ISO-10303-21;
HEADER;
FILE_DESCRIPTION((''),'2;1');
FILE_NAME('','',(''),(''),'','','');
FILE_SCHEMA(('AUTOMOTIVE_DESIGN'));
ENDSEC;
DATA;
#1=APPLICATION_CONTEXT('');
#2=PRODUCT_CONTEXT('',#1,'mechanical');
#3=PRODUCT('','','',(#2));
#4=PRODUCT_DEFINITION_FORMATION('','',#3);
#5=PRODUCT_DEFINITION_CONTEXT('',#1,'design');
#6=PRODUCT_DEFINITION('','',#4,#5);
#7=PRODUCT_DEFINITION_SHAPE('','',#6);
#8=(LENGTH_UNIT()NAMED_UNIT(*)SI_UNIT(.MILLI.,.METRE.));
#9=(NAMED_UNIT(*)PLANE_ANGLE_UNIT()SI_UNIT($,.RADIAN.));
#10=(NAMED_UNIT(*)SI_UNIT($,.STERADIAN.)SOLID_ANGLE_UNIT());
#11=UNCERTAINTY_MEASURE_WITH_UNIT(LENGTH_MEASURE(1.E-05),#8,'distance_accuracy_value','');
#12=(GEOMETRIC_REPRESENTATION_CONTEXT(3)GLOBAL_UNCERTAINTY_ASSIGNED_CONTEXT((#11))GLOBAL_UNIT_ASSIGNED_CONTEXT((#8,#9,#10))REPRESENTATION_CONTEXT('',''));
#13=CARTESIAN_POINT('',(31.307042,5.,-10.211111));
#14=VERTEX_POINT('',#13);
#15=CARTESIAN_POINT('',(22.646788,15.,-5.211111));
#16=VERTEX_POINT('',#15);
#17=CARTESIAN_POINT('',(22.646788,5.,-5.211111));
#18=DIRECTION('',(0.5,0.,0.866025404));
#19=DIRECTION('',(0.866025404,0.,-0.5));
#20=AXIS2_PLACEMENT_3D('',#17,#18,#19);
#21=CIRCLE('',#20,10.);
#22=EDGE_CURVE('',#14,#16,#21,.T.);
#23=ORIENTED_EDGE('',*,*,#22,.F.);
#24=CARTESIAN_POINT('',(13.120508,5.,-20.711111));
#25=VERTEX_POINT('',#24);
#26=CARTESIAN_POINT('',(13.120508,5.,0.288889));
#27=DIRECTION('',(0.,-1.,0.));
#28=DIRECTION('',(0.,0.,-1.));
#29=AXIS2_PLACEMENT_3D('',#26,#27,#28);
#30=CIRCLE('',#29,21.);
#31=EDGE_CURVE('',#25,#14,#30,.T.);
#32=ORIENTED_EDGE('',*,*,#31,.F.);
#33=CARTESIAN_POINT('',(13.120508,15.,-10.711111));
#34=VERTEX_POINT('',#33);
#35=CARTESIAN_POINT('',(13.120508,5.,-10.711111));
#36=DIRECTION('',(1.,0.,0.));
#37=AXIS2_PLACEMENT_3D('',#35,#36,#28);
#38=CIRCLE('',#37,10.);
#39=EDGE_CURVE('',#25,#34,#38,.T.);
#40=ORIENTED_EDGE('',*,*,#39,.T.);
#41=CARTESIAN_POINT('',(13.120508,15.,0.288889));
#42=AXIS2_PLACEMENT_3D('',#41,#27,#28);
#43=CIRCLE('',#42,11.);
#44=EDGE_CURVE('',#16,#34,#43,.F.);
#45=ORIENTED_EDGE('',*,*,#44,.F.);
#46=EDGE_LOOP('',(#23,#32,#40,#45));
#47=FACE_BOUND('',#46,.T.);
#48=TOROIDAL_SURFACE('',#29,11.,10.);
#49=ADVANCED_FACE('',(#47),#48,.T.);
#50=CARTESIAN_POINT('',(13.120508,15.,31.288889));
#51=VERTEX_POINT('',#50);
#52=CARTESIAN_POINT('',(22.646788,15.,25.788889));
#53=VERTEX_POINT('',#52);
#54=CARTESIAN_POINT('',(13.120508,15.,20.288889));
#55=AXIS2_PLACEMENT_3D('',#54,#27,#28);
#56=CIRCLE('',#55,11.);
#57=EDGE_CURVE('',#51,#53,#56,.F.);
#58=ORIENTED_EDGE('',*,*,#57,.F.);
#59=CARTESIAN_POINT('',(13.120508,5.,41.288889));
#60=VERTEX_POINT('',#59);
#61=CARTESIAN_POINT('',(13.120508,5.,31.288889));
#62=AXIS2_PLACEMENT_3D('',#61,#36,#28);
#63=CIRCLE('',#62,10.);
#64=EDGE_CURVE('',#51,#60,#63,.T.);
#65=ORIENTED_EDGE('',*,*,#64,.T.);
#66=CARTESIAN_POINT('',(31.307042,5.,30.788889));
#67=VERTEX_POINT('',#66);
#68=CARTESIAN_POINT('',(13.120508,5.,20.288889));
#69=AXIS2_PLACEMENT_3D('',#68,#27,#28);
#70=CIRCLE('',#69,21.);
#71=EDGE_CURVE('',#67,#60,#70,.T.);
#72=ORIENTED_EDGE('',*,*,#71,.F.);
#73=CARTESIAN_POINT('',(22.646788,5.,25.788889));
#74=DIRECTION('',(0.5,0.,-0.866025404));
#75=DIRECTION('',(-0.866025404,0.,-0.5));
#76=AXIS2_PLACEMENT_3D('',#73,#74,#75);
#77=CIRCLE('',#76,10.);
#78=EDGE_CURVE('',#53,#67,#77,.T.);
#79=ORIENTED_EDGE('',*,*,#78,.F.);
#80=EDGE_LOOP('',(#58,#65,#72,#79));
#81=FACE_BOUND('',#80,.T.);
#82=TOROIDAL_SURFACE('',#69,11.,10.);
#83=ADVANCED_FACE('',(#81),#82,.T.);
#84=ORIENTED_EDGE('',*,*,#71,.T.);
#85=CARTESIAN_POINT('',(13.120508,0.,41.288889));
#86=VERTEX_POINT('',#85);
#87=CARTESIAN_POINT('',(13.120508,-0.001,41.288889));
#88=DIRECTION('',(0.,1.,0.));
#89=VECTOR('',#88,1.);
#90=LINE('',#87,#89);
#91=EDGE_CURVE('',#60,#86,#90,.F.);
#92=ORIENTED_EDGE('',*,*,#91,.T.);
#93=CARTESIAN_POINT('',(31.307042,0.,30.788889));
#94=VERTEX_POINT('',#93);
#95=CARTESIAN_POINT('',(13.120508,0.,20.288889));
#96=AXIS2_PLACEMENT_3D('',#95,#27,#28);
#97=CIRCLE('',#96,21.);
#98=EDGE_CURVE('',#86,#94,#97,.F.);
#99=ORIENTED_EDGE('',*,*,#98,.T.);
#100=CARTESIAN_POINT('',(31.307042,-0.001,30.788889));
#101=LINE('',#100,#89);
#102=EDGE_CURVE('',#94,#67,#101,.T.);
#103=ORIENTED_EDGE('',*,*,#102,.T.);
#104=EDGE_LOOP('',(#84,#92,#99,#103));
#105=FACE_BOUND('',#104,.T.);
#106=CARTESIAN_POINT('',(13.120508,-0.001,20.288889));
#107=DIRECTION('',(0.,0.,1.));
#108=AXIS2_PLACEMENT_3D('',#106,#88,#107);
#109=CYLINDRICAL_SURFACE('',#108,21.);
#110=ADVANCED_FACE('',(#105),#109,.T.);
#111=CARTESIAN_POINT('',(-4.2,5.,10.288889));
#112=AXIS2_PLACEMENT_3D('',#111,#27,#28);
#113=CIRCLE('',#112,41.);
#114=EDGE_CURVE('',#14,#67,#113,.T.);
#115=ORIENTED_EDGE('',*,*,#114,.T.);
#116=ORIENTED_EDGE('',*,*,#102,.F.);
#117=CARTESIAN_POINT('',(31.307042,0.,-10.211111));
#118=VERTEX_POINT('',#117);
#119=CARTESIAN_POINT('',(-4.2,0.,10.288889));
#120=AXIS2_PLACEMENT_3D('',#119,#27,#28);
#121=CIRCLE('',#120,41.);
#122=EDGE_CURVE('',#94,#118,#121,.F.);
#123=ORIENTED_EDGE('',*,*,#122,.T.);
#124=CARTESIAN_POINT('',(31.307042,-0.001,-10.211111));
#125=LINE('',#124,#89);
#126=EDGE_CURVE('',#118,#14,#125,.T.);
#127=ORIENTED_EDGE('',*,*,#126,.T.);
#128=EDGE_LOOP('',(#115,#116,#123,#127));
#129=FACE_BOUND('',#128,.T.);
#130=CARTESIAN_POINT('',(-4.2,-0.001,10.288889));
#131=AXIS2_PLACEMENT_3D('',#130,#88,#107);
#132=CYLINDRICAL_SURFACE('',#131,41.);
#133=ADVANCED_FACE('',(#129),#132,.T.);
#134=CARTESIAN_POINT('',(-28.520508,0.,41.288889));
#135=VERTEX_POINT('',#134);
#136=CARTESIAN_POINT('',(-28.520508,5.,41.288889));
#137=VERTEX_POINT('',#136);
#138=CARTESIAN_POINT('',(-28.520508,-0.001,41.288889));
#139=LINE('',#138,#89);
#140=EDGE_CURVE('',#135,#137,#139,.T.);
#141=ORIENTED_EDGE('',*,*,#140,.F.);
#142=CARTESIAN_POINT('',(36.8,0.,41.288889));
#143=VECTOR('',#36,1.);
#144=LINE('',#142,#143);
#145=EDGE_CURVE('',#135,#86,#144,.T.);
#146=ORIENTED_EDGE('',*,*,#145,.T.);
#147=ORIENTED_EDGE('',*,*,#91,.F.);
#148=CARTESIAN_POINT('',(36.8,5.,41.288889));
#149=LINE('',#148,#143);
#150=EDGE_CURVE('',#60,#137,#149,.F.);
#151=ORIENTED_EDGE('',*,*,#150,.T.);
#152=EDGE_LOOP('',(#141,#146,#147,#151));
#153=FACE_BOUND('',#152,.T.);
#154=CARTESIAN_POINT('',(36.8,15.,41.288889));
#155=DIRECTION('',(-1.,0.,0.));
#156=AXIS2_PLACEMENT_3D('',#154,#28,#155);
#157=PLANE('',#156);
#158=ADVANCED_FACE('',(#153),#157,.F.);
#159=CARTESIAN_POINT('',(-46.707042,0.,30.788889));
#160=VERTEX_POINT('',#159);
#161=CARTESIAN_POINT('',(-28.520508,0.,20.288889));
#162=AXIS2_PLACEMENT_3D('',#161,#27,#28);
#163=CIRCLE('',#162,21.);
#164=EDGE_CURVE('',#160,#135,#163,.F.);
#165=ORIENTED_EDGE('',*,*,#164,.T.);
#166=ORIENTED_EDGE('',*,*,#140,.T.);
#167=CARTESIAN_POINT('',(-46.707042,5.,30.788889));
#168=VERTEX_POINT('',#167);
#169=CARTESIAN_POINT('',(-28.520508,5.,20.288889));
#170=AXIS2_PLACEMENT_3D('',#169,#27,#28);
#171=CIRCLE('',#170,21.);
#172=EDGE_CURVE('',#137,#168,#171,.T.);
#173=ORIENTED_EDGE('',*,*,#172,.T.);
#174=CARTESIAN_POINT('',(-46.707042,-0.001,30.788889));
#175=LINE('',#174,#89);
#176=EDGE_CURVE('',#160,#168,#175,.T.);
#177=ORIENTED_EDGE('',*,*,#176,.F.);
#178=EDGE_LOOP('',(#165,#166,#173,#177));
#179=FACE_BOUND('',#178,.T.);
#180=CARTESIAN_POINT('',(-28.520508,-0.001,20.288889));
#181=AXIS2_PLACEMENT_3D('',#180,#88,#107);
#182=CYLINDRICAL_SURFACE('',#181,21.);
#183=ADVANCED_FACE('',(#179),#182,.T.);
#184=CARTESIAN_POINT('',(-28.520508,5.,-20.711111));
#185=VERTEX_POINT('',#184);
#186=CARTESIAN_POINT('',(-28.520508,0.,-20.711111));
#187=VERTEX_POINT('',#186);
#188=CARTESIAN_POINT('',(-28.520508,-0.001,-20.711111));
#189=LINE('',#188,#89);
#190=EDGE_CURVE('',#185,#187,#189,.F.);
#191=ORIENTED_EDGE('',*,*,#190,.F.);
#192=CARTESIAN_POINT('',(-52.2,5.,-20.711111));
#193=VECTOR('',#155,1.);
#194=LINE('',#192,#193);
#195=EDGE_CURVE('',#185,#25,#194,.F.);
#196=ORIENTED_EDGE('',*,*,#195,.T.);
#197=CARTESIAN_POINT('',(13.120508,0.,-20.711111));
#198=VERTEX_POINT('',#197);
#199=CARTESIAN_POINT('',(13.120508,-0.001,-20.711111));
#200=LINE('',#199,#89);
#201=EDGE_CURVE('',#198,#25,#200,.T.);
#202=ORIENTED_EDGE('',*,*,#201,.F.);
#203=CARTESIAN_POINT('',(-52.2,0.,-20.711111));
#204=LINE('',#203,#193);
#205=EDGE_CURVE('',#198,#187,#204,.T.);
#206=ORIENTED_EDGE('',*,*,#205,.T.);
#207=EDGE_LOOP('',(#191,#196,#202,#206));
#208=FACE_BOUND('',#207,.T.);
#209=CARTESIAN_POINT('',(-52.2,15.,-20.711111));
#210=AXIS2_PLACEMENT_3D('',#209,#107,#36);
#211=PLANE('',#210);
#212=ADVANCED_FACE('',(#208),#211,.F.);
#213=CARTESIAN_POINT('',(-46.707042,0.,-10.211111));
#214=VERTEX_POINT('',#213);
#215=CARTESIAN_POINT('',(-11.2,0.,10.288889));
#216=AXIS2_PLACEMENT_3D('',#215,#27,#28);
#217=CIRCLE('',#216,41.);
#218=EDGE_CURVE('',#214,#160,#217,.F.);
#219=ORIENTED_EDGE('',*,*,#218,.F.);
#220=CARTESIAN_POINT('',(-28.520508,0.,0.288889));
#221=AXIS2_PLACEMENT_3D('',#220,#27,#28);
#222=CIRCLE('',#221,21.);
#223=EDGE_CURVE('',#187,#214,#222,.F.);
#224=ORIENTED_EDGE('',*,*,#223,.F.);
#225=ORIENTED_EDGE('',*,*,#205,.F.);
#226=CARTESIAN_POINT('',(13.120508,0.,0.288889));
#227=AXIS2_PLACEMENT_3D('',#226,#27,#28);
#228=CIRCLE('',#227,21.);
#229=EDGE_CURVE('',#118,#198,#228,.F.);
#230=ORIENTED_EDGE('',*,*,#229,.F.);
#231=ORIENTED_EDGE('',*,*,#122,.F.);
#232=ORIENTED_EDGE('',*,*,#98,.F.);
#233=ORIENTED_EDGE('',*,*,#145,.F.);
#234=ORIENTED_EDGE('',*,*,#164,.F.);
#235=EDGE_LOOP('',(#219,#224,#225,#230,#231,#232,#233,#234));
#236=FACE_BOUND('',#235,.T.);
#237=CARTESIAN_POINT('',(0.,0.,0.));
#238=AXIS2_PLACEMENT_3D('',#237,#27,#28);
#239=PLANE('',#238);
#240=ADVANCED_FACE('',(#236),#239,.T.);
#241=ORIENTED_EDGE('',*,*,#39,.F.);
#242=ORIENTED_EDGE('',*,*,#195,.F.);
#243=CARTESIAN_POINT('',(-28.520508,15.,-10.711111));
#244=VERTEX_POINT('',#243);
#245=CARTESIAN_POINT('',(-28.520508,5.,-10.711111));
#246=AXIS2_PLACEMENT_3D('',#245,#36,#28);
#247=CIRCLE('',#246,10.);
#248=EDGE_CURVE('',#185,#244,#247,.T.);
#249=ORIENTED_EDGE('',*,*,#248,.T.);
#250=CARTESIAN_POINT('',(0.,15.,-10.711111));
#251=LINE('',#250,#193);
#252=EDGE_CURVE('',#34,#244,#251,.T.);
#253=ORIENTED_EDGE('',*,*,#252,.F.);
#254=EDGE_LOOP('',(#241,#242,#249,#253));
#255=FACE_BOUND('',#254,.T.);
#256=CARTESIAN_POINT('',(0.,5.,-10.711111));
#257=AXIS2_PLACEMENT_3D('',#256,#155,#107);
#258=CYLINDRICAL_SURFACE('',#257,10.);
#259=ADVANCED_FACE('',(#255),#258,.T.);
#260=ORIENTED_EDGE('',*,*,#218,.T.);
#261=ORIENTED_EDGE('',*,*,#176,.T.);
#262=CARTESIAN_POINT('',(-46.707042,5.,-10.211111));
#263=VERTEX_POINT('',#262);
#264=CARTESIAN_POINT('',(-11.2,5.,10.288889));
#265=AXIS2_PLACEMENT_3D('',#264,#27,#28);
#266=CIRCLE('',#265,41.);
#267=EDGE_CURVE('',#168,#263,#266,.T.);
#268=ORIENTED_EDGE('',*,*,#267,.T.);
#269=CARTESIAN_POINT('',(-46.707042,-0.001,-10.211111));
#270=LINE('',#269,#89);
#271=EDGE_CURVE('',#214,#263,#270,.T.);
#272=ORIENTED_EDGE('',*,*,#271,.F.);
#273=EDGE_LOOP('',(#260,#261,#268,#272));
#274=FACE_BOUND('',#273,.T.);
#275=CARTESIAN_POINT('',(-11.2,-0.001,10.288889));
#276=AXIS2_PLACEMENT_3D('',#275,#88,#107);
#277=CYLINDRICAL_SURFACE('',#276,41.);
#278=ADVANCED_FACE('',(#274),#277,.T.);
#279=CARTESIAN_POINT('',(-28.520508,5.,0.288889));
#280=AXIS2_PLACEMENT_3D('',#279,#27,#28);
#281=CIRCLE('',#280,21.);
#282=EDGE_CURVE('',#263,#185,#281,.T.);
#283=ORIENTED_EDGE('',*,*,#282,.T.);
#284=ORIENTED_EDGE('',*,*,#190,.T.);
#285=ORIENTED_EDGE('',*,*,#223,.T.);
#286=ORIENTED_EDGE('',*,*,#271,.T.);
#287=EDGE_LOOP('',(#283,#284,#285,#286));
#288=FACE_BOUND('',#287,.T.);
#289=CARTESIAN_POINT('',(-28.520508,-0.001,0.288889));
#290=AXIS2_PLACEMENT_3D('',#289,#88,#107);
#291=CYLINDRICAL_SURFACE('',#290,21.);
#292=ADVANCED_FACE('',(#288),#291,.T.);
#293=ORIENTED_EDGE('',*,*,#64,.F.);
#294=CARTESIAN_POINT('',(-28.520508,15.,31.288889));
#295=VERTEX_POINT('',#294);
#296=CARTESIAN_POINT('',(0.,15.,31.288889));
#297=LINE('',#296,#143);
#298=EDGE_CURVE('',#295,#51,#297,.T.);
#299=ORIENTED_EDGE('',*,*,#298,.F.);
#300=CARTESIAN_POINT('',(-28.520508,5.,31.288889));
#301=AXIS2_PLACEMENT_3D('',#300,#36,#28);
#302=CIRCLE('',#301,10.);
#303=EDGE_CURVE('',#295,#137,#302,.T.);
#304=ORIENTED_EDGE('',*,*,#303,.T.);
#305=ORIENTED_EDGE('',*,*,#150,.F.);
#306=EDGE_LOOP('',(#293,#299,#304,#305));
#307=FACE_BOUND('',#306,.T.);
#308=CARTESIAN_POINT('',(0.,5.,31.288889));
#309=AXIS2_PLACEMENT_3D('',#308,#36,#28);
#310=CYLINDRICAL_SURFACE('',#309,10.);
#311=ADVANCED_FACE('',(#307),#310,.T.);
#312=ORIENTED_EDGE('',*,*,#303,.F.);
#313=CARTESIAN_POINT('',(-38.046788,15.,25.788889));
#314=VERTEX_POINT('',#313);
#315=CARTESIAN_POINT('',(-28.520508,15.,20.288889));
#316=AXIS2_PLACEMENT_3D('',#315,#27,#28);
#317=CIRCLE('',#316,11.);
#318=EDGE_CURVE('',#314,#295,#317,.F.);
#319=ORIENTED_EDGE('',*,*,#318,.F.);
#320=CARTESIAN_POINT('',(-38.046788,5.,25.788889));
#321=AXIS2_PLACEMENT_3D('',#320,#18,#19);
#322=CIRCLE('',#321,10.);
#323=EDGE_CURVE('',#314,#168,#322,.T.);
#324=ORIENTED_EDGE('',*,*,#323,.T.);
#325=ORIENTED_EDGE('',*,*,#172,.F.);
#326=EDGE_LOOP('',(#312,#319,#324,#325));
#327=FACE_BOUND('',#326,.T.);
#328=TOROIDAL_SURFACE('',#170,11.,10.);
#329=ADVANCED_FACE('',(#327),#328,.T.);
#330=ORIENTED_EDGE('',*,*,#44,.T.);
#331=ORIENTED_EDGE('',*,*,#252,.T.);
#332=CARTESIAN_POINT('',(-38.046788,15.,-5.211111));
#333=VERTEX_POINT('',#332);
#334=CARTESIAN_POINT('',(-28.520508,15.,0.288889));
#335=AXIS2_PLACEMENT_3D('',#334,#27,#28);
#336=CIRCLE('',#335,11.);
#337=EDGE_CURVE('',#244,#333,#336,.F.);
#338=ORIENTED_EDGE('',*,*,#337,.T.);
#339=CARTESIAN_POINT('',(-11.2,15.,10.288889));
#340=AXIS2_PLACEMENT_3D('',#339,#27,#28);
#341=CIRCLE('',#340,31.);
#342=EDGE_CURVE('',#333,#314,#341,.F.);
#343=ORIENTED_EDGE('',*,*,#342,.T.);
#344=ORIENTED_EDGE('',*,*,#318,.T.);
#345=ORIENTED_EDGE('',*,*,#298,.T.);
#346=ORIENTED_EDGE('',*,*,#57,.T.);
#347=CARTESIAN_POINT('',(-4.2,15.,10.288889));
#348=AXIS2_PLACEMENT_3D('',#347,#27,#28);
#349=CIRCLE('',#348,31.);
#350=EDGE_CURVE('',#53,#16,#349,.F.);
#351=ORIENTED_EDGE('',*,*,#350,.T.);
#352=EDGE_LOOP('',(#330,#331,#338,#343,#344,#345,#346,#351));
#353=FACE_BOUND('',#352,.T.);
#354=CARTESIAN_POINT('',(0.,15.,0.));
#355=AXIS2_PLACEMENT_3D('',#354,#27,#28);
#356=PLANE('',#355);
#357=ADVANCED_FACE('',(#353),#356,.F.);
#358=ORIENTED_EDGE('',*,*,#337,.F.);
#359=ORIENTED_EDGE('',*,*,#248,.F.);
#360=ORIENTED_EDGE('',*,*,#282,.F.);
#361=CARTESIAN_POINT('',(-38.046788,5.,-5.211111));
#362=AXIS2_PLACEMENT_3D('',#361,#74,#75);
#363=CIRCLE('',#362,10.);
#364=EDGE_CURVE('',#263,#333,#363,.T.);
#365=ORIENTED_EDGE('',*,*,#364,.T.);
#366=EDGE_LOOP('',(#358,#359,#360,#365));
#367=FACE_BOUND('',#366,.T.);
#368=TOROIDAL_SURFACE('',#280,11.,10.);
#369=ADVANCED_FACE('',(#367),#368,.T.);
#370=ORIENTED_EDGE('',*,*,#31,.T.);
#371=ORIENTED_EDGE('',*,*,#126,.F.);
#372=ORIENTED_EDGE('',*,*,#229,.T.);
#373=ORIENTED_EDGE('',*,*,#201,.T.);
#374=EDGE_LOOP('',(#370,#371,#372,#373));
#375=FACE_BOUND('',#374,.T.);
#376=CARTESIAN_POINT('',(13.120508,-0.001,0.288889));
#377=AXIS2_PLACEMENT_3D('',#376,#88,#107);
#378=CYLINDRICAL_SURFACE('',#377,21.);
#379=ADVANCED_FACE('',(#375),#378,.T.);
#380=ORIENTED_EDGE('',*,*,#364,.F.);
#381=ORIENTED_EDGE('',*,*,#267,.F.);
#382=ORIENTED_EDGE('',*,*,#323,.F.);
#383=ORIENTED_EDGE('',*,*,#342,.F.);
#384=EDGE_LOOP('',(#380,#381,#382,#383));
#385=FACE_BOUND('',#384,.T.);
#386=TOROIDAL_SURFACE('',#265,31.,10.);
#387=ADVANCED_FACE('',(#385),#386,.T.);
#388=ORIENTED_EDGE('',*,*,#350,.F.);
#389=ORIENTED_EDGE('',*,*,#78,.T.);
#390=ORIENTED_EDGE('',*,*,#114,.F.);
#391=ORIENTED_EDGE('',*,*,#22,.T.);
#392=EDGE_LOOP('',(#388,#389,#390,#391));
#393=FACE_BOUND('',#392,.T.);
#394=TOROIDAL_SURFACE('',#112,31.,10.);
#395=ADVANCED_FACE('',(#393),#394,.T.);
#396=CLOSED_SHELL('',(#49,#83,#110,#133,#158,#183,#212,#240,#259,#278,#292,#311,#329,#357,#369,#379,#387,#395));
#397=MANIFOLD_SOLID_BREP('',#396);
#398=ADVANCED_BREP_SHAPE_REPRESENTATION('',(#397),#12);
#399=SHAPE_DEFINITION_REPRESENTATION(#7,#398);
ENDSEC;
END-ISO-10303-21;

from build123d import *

# Parameters (mm, degrees)
SKETCH_1_W          = 89
SKETCH_1_H          = 62
EXTRUDE_1_DEPTH     = 15
CUT_EXTRUDE_START   = -15.000001
SKETCH_2_W          = 114.345269922
SKETCH_2_H          = 82.741202996
CUT_EXTRUDE_2_DEPTH = 15.000002
FILLET_1_R          = 10


with BuildPart() as part:
    # 草图1 → 凸台-拉伸1 (new body)
    with BuildSketch(Plane(origin=(0, 0, 0), x_dir=(1, 0, 0), z_dir=(0, 1, 0))):
        with Locations((-7.7, -10.288888889)):
            Rectangle(SKETCH_1_W, SKETCH_1_H)
    extrude(amount=EXTRUDE_1_DEPTH)

    # 草图2 → 切除-拉伸2 (cut)
    with BuildSketch(Plane(origin=(0, 15, 0), x_dir=(1, 0, 0), z_dir=(0, 1, 0)).offset(CUT_EXTRUDE_START)):
        with Locations((-11.341983823, -7.488413354)):
            Rectangle(SKETCH_2_W, SKETCH_2_H)
        with BuildLine():
            Line((-28.520508076, 20.711111111), (13.120508076, 20.711111111))
            ThreePointArc((13.120508076, 20.711111111), (23.620508076, 17.897644591), (31.307041555, 10.211111111))
            ThreePointArc((31.307041555, 10.211111111), (36.8, -10.288888889), (31.307041555, -30.788888889))
            ThreePointArc((31.307041555, -30.788888889), (23.620508076, -38.475422368), (13.120508076, -41.288888889))
            Line((13.120508076, -41.288888889), (-28.520508076, -41.288888889))
            ThreePointArc((-28.520508076, -41.288888889), (-39.020508076, -38.475422368), (-46.707041555, -30.788888889))
            ThreePointArc((-46.707041555, -30.788888889), (-52.2, -10.288888889), (-46.707041555, 10.211111111))
            ThreePointArc((-46.707041555, 10.211111111), (-39.020508076, 17.897644591), (-28.520508076, 20.711111111))
        make_face(mode=Mode.SUBTRACT)
    extrude(amount=CUT_EXTRUDE_2_DEPTH, mode=Mode.SUBTRACT)

    # 圆角1
    fillet_1_edges = [part.edges().sort_by_distance(p)[0] for p in [
        (23.620508076, 15, 38.475422368),
        (36.8, 15, 10.288888889),
        (-52.2, 15, 10.288888889),
        (-39.020508076, 15, -17.897644591),
        (-7.7, 15, 41.288888889),
        (-39.020508076, 15, 38.475422368),
        (-7.7, 15, -20.711111111),
        (23.620508076, 15, -17.897644591),
    ]]
    fillet(fillet_1_edges, radius=FILLET_1_R)


solid = part.part
